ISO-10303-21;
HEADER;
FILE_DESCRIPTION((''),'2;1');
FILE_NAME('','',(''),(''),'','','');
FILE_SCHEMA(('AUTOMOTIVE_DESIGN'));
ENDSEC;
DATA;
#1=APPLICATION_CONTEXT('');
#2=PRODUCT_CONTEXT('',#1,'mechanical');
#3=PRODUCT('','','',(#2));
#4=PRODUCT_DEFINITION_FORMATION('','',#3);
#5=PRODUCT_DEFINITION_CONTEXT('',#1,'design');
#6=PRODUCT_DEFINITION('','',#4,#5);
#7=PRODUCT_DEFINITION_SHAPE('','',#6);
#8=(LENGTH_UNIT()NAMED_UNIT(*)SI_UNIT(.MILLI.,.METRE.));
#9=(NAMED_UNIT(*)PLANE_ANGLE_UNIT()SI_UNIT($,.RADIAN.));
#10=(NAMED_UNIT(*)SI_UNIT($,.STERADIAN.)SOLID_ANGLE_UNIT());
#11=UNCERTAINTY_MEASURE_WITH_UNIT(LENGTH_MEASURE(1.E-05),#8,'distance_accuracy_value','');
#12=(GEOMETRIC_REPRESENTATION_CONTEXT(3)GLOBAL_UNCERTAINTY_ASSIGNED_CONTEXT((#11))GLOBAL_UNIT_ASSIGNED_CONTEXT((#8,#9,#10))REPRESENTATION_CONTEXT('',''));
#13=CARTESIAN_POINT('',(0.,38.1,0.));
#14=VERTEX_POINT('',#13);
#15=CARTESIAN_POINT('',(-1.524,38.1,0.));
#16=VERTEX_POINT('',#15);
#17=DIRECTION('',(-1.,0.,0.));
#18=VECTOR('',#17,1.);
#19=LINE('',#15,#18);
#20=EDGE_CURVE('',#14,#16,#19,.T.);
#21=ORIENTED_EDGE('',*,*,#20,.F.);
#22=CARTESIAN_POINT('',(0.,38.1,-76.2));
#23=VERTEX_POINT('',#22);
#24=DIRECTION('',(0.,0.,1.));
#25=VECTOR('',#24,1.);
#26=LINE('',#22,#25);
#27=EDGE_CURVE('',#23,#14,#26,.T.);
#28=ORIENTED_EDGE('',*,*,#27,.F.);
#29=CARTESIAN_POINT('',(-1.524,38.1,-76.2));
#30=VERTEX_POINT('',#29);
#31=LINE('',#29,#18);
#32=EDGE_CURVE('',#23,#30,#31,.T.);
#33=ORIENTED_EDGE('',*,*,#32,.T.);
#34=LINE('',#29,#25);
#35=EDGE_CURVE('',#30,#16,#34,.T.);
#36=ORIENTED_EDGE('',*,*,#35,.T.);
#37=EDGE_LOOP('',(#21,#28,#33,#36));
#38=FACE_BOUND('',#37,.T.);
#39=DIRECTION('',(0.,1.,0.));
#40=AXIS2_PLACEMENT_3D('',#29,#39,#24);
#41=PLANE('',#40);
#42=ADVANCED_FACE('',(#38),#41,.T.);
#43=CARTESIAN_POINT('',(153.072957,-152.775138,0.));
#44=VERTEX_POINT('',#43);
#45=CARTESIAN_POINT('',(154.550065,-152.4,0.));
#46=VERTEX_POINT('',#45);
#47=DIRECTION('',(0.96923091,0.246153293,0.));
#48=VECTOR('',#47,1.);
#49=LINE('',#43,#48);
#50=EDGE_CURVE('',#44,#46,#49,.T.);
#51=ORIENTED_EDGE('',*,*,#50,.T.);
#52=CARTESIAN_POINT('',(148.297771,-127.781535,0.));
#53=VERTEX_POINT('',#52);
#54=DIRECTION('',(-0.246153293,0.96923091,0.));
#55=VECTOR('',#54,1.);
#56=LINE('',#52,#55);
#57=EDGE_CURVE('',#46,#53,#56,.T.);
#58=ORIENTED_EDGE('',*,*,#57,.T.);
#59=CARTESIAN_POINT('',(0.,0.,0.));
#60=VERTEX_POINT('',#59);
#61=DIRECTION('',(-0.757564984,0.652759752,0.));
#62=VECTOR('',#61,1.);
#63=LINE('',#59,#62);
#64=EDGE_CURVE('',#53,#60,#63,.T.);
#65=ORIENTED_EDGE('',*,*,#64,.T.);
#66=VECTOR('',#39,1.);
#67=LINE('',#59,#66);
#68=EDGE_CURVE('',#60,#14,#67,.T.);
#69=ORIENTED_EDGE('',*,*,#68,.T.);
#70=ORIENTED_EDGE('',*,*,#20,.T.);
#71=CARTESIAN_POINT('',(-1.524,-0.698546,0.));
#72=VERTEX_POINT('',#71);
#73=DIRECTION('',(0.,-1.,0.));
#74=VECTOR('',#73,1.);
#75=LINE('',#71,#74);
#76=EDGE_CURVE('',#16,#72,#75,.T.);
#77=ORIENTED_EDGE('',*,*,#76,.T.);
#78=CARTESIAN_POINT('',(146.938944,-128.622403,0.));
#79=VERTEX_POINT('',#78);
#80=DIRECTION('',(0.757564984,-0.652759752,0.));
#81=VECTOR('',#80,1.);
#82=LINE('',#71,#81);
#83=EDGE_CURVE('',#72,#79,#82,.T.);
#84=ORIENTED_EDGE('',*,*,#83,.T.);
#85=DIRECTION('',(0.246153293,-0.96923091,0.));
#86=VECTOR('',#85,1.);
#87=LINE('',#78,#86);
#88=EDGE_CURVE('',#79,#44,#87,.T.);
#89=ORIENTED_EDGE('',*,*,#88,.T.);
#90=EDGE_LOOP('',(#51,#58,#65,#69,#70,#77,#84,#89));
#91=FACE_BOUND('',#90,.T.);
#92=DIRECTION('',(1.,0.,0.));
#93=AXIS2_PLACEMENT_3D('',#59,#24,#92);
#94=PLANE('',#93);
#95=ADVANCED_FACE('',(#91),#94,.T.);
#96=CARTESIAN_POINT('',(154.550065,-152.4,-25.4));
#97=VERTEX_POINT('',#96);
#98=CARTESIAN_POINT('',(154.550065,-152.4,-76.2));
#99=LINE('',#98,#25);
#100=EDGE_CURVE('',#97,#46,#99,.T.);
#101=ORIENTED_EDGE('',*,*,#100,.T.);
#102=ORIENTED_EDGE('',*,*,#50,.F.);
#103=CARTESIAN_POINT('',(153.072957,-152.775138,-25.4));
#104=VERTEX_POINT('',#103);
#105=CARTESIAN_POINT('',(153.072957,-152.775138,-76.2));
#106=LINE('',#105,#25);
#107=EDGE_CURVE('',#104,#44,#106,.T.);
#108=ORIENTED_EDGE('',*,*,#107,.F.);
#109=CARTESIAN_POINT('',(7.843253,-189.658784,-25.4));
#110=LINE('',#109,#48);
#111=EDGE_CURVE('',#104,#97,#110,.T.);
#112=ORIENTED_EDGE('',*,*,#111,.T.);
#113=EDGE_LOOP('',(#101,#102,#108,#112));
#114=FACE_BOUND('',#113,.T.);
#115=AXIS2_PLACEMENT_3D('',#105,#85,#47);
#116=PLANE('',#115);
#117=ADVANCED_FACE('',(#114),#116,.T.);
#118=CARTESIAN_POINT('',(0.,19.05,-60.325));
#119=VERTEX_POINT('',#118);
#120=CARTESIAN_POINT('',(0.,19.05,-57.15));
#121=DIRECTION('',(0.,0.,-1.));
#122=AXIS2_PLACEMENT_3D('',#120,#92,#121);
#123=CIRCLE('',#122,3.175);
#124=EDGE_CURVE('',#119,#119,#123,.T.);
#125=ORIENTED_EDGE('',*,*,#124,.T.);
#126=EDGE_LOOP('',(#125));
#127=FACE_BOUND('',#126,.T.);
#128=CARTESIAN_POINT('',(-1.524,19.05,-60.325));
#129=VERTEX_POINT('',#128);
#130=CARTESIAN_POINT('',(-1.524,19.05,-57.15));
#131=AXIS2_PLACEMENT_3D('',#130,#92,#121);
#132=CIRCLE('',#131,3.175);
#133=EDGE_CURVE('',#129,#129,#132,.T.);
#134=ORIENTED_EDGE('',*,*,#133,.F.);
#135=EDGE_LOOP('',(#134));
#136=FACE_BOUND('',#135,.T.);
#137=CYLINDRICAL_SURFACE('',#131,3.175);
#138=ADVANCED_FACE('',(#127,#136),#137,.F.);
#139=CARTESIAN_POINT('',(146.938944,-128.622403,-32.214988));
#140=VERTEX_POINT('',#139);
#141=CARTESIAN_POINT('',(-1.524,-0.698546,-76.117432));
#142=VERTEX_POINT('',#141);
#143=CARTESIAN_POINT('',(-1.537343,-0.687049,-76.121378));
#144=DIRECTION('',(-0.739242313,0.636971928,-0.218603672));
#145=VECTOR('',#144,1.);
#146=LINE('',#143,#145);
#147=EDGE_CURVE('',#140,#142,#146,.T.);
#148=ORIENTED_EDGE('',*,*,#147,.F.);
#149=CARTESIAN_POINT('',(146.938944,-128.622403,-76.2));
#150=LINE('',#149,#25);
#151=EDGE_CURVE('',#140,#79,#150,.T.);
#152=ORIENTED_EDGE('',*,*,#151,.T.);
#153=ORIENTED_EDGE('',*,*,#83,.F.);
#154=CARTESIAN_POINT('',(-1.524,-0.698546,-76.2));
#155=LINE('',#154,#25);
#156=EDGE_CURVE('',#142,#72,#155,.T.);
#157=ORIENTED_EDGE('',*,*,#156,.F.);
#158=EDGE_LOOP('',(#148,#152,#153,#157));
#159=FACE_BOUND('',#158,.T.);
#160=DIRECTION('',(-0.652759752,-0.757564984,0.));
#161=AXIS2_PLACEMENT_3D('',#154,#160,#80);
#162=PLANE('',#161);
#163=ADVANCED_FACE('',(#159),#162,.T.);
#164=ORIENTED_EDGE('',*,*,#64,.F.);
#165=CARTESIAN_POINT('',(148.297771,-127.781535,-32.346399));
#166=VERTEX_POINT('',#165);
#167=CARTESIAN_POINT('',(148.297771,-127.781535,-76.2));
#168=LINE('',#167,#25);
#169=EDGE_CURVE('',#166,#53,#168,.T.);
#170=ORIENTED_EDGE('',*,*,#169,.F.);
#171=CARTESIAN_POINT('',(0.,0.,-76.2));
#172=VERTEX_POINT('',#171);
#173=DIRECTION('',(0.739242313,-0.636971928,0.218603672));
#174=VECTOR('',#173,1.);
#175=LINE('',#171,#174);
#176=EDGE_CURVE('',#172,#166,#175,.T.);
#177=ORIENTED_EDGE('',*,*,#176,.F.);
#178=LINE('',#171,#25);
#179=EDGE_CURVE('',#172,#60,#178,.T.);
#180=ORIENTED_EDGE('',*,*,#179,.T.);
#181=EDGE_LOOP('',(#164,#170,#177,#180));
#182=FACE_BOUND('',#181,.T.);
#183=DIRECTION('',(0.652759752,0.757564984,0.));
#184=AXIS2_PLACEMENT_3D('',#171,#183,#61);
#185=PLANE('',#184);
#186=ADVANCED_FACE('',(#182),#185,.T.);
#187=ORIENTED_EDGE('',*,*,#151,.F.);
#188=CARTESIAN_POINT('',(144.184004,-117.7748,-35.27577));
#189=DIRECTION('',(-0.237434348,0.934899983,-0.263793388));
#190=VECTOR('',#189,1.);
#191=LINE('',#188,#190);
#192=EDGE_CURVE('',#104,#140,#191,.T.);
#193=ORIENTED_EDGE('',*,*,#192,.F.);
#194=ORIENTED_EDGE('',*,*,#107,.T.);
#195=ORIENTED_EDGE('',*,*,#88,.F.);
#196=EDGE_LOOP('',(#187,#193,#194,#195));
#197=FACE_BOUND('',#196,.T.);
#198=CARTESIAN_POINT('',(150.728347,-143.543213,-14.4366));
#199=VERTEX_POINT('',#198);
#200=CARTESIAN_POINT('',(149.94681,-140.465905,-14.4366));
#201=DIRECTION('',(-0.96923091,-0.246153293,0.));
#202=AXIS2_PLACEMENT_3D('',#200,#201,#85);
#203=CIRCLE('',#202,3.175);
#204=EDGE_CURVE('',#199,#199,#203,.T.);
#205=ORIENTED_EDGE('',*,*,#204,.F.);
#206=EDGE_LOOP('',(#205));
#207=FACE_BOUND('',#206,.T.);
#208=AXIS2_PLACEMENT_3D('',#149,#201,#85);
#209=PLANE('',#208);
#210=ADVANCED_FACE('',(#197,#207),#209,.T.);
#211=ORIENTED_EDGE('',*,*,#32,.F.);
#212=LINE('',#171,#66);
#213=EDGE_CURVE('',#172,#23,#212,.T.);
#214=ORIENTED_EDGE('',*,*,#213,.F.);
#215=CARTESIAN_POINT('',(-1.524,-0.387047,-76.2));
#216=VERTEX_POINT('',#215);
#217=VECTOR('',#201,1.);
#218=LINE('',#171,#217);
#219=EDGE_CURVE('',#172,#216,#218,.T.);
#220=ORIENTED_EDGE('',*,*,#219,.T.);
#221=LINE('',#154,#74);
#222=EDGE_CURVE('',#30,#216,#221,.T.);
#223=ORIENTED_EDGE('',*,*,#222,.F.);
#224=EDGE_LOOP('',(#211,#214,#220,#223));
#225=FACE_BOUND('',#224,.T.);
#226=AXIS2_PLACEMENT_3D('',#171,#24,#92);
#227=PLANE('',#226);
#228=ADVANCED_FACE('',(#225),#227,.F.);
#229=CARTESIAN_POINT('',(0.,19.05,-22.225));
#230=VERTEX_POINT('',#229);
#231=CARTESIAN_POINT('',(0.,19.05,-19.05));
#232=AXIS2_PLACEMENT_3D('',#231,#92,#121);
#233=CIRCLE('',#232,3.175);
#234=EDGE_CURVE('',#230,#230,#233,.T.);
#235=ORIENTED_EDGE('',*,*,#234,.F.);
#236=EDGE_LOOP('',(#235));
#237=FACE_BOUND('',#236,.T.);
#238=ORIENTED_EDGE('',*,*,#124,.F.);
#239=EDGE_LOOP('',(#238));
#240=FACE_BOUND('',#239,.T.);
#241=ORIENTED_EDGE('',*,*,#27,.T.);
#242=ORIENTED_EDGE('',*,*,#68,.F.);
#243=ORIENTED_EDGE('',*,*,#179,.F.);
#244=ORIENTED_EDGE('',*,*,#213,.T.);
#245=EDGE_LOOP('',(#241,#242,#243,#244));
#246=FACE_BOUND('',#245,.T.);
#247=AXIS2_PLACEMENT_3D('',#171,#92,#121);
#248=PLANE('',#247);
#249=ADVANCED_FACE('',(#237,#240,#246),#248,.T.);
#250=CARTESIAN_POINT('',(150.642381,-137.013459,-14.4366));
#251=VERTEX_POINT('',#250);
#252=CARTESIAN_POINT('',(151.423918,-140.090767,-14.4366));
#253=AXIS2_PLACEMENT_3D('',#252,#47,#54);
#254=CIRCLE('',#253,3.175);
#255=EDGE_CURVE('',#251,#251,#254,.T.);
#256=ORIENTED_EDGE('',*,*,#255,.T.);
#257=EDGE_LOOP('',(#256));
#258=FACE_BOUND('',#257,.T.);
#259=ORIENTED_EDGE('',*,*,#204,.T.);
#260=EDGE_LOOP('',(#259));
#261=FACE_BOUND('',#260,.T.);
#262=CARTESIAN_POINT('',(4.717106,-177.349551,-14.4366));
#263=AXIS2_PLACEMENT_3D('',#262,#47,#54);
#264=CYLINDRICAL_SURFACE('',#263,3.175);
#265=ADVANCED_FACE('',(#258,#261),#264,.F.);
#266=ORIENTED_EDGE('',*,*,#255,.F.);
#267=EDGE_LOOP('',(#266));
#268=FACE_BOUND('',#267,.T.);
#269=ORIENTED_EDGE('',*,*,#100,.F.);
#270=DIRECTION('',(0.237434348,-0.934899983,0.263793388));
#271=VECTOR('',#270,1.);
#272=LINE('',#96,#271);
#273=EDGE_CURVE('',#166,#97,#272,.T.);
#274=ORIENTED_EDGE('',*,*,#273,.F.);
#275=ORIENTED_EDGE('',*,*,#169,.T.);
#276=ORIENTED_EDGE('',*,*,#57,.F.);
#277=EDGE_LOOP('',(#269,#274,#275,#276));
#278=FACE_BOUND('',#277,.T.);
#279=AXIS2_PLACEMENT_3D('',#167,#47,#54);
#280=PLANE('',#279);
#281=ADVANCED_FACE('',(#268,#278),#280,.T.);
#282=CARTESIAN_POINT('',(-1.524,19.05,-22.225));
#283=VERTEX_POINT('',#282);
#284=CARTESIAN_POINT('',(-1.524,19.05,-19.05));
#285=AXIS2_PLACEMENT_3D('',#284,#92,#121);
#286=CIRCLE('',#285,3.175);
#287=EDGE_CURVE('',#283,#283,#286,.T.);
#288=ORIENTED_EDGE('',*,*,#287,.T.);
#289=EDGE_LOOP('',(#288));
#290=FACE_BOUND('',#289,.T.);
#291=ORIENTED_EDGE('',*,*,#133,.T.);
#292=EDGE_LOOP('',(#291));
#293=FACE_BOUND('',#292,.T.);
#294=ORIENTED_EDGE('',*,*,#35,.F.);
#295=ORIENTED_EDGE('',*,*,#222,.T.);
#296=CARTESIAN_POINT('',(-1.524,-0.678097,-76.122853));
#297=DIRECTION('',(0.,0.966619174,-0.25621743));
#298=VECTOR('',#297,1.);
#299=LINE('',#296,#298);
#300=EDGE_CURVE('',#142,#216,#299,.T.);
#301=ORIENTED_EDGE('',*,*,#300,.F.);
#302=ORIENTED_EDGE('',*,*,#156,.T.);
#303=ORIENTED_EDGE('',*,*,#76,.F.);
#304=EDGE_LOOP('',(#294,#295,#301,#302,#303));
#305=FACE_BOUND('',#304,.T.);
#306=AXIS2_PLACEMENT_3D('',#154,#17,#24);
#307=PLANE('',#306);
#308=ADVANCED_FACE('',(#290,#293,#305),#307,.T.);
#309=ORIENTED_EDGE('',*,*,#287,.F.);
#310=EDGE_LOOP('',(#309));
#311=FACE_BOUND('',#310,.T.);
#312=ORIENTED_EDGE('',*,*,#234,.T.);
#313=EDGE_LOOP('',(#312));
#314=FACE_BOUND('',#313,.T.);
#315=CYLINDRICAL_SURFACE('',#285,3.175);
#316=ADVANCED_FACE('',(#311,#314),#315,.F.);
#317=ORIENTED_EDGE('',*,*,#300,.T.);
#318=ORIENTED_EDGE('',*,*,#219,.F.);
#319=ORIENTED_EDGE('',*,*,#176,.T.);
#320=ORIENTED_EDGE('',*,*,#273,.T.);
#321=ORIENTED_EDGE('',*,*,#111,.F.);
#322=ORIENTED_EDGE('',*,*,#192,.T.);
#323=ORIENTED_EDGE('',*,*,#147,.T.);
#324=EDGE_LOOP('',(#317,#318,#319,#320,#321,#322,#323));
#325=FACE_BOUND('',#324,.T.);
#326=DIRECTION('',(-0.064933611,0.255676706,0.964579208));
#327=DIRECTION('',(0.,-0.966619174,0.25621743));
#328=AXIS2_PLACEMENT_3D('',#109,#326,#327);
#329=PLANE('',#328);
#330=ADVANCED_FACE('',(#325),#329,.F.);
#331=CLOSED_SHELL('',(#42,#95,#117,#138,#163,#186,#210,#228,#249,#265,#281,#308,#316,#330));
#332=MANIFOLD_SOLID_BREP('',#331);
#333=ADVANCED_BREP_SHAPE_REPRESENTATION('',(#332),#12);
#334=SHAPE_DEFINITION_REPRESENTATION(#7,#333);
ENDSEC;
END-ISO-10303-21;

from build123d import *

# Parameters (mm, degrees)
BOSS_EXTRUDE1_DEPTH = 76.2
CUT_EXTRUDE1_DEPTH  = 152.364149309
SKETCH3_R           = 3.175
CUT_EXTRUDE2_DEPTH  = 152.364149309
SKETCH4_R           = 3.175
CUT_EXTRUDE3_DEPTH  = 2.524


with BuildPart() as part:
    # Sketch1 → Boss-Extrude1 (new body)
    with BuildSketch(Plane.XY):
        Polygon((0, 0), (0, 38.1), (-1.524, 38.1), (-1.524, -0.698546195), (146.938943833, -128.622402846), (153.072957039, -152.775137619), (154.550064945, -152.4), (148.297771302, -127.781534893), align=None)
    extrude(amount=-BOSS_EXTRUDE1_DEPTH)

    # Sketch2 → Cut-Extrude1 (cut, through all)
    with BuildSketch(Plane(origin=(108.826155859, 27.638322679, 0), x_dir=(0, 0, -1), z_dir=(0.96923091, 0.246153293, 0))):
        Polygon((25.4, -185.753798063), (76.2, 0), (76.2, -185.753798063), align=None)
    extrude(amount=-CUT_EXTRUDE1_DEPTH, mode=Mode.SUBTRACT)

    # Sketch3 → Cut-Extrude2 (cut, through all)
    with BuildSketch(Plane(origin=(108.826155859, 27.638322679, 0), x_dir=(0, 0, -1), z_dir=(0.96923091, 0.246153293, 0))):
        with Locations((14.436599754, -173.053798063)):
            Circle(SKETCH3_R)
    extrude(amount=-CUT_EXTRUDE2_DEPTH, mode=Mode.SUBTRACT)

    # Sketch4 → Cut-Extrude3 (cut, through all)
    with BuildSketch(Plane(origin=(0, 0, 0), x_dir=(0, 0, -1), z_dir=(1, 0, 0))):
        with Locations((19.05, 19.05)):
            Circle(SKETCH4_R)
        with Locations((57.15, 19.05)):
            Circle(SKETCH4_R)
    extrude(amount=-CUT_EXTRUDE3_DEPTH, mode=Mode.SUBTRACT)


solid = part.part
